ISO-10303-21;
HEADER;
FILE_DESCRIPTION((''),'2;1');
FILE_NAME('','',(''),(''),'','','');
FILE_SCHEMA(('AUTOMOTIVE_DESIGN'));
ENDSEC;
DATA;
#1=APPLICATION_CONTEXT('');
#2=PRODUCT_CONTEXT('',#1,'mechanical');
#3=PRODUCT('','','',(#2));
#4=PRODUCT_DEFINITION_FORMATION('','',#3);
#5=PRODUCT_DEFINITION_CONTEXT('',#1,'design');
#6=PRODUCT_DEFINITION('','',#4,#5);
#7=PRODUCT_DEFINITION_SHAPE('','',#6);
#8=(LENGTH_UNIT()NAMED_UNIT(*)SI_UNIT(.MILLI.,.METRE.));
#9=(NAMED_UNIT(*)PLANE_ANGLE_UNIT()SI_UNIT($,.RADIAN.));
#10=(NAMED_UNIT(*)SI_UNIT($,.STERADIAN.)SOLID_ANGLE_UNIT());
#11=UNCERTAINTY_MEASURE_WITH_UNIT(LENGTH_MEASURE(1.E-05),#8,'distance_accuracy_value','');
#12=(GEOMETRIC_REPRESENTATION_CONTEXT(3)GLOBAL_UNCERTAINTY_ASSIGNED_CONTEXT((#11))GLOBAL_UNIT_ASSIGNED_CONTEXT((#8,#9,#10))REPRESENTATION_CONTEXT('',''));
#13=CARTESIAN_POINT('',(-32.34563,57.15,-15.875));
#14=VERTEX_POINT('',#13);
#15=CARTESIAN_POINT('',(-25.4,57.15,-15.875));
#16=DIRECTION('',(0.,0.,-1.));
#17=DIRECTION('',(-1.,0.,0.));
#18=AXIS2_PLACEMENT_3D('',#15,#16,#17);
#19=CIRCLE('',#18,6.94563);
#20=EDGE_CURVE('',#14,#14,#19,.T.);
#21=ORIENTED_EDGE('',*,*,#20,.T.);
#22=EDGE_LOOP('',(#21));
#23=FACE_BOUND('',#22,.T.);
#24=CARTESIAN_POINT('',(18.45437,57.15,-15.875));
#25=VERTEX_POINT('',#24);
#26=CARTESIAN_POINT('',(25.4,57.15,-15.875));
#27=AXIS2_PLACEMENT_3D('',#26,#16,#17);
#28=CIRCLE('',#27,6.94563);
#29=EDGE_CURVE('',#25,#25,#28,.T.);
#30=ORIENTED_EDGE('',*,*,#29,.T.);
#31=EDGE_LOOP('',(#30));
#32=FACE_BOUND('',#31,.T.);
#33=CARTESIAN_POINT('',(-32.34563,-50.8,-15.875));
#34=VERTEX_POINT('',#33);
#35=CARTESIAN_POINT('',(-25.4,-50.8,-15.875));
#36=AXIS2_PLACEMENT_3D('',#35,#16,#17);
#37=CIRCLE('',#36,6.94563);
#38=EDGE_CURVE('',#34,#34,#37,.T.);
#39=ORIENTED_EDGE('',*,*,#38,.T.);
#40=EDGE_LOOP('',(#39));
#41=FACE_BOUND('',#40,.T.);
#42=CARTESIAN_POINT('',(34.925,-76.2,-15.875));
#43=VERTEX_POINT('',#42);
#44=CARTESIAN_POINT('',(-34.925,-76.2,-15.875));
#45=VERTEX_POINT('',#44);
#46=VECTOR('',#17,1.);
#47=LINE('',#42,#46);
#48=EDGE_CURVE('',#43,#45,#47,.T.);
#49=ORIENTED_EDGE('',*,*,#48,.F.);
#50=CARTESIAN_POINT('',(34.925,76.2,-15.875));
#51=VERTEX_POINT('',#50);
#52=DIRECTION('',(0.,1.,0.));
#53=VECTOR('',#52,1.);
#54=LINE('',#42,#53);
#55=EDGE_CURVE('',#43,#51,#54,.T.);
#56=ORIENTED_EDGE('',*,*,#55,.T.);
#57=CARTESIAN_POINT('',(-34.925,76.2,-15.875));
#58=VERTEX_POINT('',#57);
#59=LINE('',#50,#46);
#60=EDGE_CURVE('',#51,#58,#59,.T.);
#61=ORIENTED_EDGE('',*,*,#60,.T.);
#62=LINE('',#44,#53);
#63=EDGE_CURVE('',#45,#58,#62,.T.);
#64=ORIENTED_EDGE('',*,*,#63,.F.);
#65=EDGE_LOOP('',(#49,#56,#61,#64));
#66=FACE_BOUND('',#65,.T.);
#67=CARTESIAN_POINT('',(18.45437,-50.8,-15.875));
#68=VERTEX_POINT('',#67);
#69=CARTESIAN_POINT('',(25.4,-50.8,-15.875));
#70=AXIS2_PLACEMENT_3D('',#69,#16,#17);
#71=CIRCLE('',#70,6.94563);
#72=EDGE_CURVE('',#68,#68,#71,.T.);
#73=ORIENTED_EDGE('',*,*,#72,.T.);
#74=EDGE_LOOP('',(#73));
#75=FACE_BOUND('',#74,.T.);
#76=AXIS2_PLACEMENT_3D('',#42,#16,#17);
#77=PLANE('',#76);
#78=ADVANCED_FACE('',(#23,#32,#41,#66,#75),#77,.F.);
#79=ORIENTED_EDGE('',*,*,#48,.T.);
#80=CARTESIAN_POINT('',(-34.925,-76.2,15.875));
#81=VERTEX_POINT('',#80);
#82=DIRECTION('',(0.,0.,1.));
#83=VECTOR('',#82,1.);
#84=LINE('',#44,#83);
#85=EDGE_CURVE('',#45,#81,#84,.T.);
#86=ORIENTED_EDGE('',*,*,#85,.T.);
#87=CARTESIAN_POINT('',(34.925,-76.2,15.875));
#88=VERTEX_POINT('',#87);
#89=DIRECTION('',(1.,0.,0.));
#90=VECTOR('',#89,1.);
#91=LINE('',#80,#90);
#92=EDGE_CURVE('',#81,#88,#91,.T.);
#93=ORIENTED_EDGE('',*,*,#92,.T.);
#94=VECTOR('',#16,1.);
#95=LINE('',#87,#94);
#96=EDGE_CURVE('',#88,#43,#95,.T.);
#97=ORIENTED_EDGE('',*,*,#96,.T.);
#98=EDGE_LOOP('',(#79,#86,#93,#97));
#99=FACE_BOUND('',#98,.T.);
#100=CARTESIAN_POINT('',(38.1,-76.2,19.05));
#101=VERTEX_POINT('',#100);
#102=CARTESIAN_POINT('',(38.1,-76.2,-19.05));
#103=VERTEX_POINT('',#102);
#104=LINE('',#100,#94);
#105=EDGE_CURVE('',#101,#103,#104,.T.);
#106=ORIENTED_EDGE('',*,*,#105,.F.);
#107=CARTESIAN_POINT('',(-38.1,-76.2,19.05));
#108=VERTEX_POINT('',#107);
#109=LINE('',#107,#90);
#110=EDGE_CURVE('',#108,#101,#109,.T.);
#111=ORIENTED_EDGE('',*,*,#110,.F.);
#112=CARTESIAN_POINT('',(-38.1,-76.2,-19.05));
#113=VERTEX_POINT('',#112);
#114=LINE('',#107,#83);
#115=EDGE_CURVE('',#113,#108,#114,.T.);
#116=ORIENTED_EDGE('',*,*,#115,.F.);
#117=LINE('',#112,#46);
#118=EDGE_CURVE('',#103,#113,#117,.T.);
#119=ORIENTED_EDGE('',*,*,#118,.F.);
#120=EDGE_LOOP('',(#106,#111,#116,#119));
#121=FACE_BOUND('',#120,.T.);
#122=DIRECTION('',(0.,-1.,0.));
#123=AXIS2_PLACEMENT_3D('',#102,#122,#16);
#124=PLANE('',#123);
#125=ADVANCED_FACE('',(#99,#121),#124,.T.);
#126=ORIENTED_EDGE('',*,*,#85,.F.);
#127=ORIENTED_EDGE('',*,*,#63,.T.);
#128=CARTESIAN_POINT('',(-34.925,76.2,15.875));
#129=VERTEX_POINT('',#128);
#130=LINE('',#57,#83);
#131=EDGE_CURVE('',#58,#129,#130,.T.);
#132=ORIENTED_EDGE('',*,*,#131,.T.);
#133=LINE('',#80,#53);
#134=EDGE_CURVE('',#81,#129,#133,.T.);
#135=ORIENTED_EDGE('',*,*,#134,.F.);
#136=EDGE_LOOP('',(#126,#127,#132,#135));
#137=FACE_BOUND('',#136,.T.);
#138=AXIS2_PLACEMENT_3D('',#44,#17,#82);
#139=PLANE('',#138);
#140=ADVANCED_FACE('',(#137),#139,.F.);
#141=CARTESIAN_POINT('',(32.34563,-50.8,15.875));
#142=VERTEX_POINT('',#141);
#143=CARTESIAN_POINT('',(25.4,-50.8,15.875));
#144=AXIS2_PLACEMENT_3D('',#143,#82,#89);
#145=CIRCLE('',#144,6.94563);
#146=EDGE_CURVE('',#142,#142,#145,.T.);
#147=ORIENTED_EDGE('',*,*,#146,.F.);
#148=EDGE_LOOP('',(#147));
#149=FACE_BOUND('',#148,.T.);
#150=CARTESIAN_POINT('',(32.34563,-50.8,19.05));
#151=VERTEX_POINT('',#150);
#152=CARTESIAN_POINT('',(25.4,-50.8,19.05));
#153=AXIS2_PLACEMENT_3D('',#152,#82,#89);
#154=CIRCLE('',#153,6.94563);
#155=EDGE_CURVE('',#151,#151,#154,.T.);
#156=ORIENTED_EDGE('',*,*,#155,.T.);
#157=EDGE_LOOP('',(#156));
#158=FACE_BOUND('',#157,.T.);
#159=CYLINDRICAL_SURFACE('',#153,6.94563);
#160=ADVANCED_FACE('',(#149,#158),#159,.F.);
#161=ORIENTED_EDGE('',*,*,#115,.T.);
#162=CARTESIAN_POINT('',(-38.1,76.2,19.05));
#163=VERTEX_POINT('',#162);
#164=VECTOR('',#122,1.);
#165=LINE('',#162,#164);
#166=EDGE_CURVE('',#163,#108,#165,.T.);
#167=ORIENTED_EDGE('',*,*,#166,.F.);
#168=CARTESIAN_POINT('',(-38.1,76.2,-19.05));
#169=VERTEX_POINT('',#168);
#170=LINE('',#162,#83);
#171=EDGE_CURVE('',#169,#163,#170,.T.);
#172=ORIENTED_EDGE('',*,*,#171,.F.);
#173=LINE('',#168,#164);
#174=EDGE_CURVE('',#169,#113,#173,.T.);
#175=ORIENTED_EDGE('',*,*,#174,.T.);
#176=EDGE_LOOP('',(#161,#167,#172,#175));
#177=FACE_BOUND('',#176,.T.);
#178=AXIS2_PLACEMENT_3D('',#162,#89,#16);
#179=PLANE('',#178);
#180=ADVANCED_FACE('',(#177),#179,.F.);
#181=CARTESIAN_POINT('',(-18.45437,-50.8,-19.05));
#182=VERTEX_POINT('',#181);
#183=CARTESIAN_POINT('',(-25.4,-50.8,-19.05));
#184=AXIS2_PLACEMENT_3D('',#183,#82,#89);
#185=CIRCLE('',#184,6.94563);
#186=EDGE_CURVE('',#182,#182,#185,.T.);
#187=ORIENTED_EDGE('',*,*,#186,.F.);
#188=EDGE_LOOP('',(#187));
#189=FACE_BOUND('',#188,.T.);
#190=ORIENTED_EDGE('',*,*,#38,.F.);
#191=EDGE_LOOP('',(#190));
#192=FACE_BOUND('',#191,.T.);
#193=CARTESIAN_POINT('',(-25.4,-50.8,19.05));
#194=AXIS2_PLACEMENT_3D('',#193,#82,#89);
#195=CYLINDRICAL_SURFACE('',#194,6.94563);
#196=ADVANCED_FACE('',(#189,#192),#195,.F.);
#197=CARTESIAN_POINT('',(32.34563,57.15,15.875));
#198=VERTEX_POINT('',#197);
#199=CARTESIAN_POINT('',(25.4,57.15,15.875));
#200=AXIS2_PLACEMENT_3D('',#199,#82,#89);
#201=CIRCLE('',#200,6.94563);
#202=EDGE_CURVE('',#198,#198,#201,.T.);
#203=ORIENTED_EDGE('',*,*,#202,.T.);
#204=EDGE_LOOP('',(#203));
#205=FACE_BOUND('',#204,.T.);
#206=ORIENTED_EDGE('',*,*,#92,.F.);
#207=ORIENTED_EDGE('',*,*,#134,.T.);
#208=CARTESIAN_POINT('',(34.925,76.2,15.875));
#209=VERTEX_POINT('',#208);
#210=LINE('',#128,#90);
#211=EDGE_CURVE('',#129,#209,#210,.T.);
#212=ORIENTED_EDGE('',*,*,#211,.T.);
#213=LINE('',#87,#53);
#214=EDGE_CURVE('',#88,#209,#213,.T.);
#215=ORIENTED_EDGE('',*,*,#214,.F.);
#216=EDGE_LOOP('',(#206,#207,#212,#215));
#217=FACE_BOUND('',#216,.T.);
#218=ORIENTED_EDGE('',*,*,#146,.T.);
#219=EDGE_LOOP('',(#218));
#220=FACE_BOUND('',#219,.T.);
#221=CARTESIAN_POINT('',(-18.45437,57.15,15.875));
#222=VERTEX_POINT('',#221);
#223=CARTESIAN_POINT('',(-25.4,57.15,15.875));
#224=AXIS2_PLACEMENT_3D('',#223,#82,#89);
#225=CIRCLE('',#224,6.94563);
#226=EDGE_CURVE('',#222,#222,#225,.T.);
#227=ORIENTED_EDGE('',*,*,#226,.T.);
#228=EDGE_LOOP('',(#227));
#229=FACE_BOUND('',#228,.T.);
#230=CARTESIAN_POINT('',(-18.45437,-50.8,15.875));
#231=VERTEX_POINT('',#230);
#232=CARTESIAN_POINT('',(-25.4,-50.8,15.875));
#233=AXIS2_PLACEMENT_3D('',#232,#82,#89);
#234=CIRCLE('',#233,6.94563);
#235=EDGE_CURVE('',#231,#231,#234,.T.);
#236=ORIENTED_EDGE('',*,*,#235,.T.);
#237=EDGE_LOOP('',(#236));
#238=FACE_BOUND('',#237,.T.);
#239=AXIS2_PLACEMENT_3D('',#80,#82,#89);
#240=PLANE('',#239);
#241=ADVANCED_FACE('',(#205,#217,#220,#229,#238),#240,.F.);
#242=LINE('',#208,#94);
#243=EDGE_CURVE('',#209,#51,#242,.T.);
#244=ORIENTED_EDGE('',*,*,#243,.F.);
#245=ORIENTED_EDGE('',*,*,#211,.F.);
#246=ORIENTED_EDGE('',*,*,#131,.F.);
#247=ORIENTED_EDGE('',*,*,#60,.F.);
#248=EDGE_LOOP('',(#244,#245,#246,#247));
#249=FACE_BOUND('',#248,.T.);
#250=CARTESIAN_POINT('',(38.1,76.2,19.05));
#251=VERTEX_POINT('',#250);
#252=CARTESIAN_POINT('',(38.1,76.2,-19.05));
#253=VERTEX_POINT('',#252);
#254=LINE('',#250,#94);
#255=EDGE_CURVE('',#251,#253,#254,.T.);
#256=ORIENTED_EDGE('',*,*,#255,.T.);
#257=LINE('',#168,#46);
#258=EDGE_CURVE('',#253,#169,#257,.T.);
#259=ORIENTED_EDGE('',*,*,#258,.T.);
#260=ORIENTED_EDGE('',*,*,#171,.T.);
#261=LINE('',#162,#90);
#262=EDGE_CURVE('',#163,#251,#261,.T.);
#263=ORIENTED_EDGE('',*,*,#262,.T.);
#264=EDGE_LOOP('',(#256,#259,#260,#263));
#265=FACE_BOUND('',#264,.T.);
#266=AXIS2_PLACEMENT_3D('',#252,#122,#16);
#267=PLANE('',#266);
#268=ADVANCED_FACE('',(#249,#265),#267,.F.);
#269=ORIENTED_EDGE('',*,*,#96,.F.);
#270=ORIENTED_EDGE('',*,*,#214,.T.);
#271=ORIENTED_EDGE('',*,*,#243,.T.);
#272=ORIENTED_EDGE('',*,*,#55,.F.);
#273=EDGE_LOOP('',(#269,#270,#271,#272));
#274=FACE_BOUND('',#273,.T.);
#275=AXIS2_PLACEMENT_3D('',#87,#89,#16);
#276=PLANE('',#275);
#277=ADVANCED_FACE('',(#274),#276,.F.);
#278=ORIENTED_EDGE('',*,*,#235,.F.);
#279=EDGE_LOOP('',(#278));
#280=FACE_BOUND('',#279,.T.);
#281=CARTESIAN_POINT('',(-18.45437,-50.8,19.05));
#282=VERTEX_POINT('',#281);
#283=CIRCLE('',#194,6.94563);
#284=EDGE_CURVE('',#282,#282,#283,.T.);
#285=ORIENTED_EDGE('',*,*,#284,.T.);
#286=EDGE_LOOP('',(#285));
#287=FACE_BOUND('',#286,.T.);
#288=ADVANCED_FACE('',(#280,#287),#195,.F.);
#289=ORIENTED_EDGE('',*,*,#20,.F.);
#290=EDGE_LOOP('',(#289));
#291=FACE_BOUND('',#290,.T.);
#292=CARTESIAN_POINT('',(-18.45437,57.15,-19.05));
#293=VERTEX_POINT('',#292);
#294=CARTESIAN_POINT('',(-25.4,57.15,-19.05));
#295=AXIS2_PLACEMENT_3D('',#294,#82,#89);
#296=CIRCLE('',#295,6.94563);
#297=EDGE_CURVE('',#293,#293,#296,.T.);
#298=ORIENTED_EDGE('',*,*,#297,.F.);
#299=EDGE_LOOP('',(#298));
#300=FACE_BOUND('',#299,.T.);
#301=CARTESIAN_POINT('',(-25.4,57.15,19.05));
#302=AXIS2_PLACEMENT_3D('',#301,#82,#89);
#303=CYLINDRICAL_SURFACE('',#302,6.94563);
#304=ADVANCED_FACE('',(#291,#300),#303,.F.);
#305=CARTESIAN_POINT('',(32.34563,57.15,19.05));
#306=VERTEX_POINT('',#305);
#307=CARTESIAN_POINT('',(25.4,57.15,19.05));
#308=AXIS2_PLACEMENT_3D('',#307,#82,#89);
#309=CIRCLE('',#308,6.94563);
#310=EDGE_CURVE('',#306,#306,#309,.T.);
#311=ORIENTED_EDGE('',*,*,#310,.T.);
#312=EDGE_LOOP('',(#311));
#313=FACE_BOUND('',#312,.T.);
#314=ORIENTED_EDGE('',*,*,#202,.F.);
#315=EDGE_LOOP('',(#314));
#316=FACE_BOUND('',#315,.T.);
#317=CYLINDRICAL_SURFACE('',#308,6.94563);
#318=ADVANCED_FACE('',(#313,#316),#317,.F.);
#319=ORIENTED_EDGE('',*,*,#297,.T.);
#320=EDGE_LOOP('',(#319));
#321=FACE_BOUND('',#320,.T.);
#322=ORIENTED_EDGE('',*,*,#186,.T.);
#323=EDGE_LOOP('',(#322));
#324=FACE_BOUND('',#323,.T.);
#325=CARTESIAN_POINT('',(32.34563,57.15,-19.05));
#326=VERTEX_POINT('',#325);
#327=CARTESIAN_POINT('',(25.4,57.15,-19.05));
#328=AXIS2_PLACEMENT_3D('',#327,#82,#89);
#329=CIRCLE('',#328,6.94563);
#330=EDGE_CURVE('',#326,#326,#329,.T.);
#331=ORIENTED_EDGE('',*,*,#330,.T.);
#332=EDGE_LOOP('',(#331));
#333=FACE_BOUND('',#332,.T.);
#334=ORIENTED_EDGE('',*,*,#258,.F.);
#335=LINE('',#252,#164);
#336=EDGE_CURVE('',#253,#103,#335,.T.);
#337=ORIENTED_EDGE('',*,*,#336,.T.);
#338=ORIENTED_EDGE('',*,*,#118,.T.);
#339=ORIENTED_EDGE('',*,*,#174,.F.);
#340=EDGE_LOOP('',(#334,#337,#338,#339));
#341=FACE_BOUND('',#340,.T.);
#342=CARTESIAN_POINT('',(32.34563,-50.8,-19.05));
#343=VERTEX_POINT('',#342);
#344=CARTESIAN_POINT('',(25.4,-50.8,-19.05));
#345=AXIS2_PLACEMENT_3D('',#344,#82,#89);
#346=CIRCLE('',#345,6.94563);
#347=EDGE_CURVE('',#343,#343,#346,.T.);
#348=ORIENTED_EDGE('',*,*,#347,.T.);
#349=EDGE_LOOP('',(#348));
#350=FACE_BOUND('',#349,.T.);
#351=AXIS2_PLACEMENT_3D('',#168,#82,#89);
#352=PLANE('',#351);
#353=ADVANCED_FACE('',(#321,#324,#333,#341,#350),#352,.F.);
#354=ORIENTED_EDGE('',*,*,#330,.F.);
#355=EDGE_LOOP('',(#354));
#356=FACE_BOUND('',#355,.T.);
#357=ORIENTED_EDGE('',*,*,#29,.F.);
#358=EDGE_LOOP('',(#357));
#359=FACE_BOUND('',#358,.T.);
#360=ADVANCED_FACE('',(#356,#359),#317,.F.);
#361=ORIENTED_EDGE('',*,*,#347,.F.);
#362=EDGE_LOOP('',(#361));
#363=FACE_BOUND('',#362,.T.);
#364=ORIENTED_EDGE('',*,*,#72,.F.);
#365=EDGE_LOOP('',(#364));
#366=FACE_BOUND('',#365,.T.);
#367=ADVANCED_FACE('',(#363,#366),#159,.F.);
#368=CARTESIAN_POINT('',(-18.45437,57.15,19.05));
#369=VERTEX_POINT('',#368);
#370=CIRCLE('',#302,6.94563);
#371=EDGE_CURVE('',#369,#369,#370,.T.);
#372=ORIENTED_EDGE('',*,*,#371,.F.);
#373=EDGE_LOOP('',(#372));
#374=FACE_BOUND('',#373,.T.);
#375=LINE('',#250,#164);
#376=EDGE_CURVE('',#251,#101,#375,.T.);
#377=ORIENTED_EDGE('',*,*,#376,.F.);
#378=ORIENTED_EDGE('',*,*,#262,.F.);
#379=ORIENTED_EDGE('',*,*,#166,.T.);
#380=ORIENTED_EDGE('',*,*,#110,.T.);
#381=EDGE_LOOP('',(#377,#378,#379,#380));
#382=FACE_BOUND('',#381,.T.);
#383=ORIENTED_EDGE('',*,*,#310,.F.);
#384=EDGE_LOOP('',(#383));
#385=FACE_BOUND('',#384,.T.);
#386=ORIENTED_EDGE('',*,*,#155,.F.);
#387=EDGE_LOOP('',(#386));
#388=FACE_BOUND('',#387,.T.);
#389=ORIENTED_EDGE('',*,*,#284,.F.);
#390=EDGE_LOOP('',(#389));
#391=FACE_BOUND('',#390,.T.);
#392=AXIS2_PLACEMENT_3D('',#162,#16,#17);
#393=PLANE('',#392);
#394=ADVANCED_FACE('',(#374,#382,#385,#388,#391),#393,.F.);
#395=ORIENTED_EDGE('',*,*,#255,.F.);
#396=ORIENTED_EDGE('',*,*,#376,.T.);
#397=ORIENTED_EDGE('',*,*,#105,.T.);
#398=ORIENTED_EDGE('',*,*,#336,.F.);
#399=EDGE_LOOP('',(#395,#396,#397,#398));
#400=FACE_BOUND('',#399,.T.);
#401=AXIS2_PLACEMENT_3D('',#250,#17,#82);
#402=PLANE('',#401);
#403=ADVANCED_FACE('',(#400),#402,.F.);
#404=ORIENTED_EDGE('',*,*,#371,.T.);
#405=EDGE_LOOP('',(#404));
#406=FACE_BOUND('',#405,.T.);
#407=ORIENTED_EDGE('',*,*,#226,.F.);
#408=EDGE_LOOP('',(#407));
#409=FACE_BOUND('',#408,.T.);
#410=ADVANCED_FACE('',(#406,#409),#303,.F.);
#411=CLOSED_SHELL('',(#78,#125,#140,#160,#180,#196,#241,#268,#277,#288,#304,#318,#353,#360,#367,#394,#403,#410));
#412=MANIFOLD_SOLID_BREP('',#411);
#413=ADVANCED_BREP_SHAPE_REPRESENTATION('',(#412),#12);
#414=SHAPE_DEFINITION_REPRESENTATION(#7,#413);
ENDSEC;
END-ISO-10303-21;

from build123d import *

# Parameters (mm, degrees)
SKETCH1_W               = 76.2
SKETCH1_H               = 38.1
EXTRUDE1_DEPTH          = 76.2
SKETCH2_W               = 69.85
SKETCH2_H               = 31.75
EXTRUDE2_DEPTH          = 159.241184589
F_1_2_CLEARANCE_HOLE1_D = 13.89126


with BuildPart() as part:
    # Sketch1 → Extrude1 (new, symmetric)
    with BuildSketch(Plane(origin=(0, 0, 0), x_dir=(1, 0, 0), z_dir=(0, 1, 0))):
        Rectangle(SKETCH1_W, SKETCH1_H)
    extrude(amount=EXTRUDE1_DEPTH, both=True)

    # Sketch2 → Extrude2 (cut, through all)
    with BuildSketch(Plane(origin=(0, 76.2, 0), x_dir=(1, 0, 0), z_dir=(0, 1, 0))):
        Rectangle(SKETCH2_W, SKETCH2_H)
    extrude(amount=-EXTRUDE2_DEPTH, mode=Mode.SUBTRACT)

    # 1/2 Clearance Hole1 (through all)
    with Locations(Plane.XY.offset(19.05)):
        with Locations((25.4, 57.15), (-25.4, 57.15), (-25.4, -50.8), (25.4, -50.8)):
            Hole(F_1_2_CLEARANCE_HOLE1_D / 2)


solid = part.part
